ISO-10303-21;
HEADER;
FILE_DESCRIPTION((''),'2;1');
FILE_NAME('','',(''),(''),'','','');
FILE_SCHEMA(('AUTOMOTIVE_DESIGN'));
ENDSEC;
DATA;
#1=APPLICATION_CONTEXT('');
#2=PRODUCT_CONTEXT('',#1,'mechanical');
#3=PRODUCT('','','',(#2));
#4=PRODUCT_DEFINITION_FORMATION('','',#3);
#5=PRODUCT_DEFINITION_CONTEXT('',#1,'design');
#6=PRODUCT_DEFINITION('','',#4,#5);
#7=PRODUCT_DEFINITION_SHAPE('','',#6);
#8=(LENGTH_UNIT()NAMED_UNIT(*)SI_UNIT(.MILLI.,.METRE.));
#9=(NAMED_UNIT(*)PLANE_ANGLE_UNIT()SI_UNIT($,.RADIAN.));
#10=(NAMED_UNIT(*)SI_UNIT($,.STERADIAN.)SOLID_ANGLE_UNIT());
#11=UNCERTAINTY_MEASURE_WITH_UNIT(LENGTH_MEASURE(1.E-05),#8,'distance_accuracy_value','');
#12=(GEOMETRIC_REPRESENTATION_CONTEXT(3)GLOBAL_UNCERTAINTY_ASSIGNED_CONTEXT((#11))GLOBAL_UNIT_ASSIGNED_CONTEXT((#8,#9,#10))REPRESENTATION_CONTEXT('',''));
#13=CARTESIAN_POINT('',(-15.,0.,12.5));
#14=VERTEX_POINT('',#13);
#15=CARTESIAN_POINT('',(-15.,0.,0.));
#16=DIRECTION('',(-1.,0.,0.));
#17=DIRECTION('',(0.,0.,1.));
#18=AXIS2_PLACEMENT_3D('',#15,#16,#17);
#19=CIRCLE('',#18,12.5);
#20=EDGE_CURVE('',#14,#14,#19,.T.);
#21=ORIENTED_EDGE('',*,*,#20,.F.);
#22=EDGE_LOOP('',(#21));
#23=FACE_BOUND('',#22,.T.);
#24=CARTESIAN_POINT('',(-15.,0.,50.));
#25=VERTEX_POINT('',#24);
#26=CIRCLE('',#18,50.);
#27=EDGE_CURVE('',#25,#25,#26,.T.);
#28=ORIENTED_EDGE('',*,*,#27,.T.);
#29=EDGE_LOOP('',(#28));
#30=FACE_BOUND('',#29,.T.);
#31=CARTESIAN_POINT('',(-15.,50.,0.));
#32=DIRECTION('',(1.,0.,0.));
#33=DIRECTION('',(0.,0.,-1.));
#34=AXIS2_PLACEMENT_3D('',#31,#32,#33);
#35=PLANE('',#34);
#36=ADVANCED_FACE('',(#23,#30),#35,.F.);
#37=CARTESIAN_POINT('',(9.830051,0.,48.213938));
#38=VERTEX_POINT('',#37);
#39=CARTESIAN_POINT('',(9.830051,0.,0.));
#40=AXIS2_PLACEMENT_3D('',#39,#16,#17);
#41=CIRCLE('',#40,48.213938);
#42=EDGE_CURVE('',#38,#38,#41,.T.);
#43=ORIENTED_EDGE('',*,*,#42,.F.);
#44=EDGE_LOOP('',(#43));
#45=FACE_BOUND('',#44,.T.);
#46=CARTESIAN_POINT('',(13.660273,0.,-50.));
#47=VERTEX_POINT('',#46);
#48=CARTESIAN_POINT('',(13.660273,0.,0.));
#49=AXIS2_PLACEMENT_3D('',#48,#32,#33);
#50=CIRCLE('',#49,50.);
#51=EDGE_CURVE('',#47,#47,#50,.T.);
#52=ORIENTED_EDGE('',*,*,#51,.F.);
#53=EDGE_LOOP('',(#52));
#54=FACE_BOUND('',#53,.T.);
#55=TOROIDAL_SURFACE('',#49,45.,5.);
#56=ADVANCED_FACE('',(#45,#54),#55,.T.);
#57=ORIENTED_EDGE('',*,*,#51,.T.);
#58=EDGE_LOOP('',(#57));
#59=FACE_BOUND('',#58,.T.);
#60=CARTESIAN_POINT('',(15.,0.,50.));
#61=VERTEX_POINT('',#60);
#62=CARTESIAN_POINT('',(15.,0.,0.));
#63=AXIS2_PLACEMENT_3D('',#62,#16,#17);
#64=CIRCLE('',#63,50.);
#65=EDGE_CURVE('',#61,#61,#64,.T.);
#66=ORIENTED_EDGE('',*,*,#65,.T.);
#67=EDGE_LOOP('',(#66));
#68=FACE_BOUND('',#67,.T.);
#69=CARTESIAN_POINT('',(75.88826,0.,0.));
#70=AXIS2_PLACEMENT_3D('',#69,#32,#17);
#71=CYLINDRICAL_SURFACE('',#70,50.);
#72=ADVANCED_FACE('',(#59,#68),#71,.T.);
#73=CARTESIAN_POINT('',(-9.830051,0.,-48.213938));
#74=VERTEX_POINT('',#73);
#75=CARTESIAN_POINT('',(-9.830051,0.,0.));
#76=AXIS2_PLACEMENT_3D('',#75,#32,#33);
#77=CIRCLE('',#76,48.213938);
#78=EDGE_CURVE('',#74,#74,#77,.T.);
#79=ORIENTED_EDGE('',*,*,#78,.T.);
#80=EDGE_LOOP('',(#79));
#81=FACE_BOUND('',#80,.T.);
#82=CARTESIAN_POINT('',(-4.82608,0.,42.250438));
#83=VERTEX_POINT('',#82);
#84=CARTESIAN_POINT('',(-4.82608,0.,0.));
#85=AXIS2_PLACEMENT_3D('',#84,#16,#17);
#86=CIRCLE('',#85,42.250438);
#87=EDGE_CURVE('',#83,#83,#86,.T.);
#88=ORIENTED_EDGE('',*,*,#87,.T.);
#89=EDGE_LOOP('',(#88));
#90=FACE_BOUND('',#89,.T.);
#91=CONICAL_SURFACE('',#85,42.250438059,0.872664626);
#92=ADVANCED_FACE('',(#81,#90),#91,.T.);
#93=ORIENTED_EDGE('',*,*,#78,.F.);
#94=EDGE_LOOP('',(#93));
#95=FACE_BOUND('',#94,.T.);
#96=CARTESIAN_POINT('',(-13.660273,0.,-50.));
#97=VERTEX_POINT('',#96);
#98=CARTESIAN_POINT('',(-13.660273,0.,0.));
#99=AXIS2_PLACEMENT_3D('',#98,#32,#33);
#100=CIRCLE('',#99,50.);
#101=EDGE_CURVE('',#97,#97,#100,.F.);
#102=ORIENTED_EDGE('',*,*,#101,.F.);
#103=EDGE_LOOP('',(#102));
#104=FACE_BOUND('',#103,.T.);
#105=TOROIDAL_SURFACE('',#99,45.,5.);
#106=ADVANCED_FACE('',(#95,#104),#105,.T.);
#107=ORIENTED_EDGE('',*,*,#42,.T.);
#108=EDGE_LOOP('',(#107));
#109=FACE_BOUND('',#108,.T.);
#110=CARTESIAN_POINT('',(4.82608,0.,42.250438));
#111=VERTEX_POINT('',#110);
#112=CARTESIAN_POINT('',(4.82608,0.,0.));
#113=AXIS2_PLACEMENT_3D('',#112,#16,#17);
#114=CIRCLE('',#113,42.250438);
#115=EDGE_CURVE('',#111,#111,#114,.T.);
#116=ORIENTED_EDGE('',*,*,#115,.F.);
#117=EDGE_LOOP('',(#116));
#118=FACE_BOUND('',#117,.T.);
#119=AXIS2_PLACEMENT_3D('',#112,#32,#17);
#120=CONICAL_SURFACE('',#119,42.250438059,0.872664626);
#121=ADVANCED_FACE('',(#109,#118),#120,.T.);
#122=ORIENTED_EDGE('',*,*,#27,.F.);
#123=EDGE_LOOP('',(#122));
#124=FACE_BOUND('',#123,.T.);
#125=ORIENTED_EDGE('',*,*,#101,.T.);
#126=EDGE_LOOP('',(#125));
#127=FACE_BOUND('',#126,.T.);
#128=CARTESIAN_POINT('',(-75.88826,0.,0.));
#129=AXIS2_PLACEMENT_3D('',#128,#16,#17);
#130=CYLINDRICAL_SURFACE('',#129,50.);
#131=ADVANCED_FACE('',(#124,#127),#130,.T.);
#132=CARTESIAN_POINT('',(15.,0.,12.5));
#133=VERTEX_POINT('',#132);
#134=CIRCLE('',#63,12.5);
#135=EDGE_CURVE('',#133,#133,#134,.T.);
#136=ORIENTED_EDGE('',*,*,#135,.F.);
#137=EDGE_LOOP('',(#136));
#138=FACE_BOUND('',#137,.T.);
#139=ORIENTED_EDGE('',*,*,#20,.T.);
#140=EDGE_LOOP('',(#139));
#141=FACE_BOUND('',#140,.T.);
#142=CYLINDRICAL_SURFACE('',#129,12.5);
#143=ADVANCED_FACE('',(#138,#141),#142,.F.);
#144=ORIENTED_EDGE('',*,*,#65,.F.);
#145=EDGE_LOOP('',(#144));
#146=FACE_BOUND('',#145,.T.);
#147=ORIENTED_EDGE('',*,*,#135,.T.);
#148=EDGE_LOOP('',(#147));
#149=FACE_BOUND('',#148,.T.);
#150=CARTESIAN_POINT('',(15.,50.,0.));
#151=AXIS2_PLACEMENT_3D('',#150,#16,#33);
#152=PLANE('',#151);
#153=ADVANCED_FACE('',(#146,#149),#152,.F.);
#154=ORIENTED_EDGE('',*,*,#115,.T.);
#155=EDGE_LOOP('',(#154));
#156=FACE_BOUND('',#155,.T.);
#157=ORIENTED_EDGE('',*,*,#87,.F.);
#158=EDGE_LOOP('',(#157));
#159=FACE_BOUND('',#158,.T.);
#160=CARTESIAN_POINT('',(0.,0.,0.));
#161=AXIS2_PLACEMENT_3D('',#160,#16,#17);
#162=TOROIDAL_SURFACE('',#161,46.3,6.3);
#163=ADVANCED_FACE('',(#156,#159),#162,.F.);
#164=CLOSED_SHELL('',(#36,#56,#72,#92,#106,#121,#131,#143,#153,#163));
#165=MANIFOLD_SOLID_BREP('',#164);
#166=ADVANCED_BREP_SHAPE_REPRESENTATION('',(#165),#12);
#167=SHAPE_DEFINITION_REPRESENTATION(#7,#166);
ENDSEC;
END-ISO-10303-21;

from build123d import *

# Parameters (mm, degrees)
FILLET1_R = 5


with BuildPart() as part:
    # Sketch1 → Revolve1 (revolve)
    with BuildSketch(Plane.XY):
        with BuildLine():
            Line((-11.328734558, 50), (-15, 50))
            Line((-15, 50), (-15, 12.5))
            Line((-15, 12.5), (0, 12.5))
            Line((0, 12.5), (0, 40))
            ThreePointArc((0, 40), (-2.662495049, 40.590260942), (-4.826079992, 42.250438059))
            Line((-4.826079992, 42.250438059), (-11.328734558, 50))
        make_face()
    revolve1 = revolve(axis=Axis((-75.888260409, 0, 0), (1, 0, 0)))

    # Mirror1: Revolve1 across plane
    add(revolve1.mirror(Plane(origin=(0, 12.5, 0), x_dir=(0, 0, 1), z_dir=(-1, 0, 0))))

    # Fillet1
    fillet1_edges = [part.edges().sort_by_distance(p)[0] for p in [
        (11.328734558, -50, 0),
        (-11.328734558, -50, 0),
    ]]
    fillet(fillet1_edges, radius=FILLET1_R)


solid = part.part
